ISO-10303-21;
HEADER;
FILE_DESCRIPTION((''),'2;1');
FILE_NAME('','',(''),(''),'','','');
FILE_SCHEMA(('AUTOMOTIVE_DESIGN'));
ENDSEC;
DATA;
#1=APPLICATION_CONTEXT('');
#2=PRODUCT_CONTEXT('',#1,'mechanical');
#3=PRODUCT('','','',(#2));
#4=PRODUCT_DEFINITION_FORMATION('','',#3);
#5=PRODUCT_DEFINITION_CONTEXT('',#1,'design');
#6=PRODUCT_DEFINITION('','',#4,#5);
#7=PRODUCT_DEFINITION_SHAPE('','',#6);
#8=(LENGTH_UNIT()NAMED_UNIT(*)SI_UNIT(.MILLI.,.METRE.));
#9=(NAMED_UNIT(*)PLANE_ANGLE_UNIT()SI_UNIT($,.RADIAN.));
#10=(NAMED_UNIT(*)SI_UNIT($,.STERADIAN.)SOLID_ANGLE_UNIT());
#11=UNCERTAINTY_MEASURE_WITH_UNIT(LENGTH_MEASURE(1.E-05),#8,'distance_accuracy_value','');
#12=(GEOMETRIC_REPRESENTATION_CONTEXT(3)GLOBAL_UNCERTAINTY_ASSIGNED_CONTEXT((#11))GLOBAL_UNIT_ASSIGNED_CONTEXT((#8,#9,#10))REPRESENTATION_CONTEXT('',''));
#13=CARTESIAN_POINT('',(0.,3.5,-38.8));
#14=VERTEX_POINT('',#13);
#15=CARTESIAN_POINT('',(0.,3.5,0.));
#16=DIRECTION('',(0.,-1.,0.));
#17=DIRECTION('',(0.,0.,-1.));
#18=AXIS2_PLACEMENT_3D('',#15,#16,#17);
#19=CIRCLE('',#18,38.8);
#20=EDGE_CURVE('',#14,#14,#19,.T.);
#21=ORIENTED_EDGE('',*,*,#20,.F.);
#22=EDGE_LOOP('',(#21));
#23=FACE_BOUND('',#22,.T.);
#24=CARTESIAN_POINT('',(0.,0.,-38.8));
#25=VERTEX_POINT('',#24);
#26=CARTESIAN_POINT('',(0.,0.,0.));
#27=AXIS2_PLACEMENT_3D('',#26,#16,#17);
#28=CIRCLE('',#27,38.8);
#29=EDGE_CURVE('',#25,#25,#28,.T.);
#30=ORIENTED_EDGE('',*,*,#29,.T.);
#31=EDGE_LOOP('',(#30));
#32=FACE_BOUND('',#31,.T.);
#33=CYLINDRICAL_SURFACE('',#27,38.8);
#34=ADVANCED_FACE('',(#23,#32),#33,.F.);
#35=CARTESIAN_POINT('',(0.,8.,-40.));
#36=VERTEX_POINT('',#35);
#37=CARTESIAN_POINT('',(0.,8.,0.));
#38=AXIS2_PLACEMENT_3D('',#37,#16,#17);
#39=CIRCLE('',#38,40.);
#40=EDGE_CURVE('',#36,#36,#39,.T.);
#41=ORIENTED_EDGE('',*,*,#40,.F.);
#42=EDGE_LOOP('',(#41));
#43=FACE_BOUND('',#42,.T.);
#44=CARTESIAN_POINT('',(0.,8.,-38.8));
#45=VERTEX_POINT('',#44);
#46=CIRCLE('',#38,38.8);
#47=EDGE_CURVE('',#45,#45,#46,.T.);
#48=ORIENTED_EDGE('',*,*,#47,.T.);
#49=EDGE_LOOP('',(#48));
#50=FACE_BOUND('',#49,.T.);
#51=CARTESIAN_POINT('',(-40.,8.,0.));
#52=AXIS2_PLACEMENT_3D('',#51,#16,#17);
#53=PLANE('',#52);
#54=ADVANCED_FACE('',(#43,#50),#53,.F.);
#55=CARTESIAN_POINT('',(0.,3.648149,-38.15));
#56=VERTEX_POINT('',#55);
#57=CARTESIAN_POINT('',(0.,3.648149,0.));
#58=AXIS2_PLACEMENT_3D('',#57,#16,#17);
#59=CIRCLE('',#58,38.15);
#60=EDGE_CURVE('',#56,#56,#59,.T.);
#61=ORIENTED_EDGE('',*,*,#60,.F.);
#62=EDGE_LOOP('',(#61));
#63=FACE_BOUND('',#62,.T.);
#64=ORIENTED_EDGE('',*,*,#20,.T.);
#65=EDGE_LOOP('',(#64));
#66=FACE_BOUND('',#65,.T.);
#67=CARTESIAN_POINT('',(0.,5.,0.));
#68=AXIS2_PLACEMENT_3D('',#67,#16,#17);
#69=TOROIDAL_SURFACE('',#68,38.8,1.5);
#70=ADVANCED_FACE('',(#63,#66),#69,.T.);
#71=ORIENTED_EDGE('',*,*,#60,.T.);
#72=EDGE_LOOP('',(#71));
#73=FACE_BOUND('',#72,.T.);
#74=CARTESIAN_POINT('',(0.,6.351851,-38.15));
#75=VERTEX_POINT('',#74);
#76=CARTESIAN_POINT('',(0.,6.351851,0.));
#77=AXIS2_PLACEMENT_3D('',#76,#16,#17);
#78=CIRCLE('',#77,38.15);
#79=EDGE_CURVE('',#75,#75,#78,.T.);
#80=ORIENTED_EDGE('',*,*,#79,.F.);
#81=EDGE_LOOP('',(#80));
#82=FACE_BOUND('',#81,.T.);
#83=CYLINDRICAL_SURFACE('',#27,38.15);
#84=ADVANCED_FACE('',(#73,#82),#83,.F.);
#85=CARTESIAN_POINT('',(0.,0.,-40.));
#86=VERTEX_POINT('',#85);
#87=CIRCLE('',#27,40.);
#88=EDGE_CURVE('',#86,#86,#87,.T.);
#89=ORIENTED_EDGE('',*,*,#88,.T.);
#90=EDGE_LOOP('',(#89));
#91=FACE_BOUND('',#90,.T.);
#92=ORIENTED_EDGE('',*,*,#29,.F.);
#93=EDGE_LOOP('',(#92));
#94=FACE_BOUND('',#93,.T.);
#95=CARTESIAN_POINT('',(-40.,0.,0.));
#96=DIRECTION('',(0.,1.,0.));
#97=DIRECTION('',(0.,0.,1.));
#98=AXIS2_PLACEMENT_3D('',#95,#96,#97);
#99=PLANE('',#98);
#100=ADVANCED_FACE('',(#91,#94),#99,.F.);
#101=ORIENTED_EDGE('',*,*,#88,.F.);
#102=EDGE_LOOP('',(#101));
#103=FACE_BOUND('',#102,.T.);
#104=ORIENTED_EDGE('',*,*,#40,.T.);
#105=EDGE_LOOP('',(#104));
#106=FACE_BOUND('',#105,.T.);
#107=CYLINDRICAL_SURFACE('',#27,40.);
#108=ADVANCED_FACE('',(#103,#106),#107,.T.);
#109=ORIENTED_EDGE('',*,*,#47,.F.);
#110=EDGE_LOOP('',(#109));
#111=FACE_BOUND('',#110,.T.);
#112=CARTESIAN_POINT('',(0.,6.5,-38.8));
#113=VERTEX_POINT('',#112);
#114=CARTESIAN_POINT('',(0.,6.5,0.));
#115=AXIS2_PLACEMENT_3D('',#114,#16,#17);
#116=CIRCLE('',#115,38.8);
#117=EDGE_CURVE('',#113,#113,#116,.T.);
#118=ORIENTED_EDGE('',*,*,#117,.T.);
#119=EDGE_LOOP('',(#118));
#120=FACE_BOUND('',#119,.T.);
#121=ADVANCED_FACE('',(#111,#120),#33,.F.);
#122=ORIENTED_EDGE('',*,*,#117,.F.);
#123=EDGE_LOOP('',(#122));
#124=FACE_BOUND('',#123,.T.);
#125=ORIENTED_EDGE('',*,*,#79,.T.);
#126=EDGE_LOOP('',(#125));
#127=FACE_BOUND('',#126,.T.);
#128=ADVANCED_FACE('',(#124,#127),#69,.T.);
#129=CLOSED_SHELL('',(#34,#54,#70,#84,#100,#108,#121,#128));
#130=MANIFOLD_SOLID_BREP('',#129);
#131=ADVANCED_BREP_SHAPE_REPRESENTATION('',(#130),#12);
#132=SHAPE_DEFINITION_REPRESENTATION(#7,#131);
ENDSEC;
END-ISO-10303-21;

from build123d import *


with BuildPart() as part:
    # Esquisse1 → Révolution1 (revolve)
    with BuildSketch(Plane.XY, mode=Mode.PRIVATE) as r_volution1_sk:
        with BuildLine():
            Line((-40, 8), (-40, 0))
            Line((-40, 0), (-38.8, 0))
            Line((-38.8, 0), (-38.8, 3.5))
            ThreePointArc((-38.8, 3.5), (-38.46666524, 3.537506261), (-38.15, 3.648149417))
            Line((-38.15, 3.648149417), (-38.15, 6.351850583))
            ThreePointArc((-38.15, 6.351850583), (-38.46666524, 6.462493739), (-38.8, 6.5))
            Line((-38.8, 6.5), (-38.8, 8))
            Line((-38.8, 8), (-40, 8))
        make_face()
    revolve(r_volution1_sk.sketch.rotate(Axis((0, 0, 0), (0, 1, 0)), 270), axis=Axis((0, 0, 0), (0, 1, 0)))


solid = part.part
